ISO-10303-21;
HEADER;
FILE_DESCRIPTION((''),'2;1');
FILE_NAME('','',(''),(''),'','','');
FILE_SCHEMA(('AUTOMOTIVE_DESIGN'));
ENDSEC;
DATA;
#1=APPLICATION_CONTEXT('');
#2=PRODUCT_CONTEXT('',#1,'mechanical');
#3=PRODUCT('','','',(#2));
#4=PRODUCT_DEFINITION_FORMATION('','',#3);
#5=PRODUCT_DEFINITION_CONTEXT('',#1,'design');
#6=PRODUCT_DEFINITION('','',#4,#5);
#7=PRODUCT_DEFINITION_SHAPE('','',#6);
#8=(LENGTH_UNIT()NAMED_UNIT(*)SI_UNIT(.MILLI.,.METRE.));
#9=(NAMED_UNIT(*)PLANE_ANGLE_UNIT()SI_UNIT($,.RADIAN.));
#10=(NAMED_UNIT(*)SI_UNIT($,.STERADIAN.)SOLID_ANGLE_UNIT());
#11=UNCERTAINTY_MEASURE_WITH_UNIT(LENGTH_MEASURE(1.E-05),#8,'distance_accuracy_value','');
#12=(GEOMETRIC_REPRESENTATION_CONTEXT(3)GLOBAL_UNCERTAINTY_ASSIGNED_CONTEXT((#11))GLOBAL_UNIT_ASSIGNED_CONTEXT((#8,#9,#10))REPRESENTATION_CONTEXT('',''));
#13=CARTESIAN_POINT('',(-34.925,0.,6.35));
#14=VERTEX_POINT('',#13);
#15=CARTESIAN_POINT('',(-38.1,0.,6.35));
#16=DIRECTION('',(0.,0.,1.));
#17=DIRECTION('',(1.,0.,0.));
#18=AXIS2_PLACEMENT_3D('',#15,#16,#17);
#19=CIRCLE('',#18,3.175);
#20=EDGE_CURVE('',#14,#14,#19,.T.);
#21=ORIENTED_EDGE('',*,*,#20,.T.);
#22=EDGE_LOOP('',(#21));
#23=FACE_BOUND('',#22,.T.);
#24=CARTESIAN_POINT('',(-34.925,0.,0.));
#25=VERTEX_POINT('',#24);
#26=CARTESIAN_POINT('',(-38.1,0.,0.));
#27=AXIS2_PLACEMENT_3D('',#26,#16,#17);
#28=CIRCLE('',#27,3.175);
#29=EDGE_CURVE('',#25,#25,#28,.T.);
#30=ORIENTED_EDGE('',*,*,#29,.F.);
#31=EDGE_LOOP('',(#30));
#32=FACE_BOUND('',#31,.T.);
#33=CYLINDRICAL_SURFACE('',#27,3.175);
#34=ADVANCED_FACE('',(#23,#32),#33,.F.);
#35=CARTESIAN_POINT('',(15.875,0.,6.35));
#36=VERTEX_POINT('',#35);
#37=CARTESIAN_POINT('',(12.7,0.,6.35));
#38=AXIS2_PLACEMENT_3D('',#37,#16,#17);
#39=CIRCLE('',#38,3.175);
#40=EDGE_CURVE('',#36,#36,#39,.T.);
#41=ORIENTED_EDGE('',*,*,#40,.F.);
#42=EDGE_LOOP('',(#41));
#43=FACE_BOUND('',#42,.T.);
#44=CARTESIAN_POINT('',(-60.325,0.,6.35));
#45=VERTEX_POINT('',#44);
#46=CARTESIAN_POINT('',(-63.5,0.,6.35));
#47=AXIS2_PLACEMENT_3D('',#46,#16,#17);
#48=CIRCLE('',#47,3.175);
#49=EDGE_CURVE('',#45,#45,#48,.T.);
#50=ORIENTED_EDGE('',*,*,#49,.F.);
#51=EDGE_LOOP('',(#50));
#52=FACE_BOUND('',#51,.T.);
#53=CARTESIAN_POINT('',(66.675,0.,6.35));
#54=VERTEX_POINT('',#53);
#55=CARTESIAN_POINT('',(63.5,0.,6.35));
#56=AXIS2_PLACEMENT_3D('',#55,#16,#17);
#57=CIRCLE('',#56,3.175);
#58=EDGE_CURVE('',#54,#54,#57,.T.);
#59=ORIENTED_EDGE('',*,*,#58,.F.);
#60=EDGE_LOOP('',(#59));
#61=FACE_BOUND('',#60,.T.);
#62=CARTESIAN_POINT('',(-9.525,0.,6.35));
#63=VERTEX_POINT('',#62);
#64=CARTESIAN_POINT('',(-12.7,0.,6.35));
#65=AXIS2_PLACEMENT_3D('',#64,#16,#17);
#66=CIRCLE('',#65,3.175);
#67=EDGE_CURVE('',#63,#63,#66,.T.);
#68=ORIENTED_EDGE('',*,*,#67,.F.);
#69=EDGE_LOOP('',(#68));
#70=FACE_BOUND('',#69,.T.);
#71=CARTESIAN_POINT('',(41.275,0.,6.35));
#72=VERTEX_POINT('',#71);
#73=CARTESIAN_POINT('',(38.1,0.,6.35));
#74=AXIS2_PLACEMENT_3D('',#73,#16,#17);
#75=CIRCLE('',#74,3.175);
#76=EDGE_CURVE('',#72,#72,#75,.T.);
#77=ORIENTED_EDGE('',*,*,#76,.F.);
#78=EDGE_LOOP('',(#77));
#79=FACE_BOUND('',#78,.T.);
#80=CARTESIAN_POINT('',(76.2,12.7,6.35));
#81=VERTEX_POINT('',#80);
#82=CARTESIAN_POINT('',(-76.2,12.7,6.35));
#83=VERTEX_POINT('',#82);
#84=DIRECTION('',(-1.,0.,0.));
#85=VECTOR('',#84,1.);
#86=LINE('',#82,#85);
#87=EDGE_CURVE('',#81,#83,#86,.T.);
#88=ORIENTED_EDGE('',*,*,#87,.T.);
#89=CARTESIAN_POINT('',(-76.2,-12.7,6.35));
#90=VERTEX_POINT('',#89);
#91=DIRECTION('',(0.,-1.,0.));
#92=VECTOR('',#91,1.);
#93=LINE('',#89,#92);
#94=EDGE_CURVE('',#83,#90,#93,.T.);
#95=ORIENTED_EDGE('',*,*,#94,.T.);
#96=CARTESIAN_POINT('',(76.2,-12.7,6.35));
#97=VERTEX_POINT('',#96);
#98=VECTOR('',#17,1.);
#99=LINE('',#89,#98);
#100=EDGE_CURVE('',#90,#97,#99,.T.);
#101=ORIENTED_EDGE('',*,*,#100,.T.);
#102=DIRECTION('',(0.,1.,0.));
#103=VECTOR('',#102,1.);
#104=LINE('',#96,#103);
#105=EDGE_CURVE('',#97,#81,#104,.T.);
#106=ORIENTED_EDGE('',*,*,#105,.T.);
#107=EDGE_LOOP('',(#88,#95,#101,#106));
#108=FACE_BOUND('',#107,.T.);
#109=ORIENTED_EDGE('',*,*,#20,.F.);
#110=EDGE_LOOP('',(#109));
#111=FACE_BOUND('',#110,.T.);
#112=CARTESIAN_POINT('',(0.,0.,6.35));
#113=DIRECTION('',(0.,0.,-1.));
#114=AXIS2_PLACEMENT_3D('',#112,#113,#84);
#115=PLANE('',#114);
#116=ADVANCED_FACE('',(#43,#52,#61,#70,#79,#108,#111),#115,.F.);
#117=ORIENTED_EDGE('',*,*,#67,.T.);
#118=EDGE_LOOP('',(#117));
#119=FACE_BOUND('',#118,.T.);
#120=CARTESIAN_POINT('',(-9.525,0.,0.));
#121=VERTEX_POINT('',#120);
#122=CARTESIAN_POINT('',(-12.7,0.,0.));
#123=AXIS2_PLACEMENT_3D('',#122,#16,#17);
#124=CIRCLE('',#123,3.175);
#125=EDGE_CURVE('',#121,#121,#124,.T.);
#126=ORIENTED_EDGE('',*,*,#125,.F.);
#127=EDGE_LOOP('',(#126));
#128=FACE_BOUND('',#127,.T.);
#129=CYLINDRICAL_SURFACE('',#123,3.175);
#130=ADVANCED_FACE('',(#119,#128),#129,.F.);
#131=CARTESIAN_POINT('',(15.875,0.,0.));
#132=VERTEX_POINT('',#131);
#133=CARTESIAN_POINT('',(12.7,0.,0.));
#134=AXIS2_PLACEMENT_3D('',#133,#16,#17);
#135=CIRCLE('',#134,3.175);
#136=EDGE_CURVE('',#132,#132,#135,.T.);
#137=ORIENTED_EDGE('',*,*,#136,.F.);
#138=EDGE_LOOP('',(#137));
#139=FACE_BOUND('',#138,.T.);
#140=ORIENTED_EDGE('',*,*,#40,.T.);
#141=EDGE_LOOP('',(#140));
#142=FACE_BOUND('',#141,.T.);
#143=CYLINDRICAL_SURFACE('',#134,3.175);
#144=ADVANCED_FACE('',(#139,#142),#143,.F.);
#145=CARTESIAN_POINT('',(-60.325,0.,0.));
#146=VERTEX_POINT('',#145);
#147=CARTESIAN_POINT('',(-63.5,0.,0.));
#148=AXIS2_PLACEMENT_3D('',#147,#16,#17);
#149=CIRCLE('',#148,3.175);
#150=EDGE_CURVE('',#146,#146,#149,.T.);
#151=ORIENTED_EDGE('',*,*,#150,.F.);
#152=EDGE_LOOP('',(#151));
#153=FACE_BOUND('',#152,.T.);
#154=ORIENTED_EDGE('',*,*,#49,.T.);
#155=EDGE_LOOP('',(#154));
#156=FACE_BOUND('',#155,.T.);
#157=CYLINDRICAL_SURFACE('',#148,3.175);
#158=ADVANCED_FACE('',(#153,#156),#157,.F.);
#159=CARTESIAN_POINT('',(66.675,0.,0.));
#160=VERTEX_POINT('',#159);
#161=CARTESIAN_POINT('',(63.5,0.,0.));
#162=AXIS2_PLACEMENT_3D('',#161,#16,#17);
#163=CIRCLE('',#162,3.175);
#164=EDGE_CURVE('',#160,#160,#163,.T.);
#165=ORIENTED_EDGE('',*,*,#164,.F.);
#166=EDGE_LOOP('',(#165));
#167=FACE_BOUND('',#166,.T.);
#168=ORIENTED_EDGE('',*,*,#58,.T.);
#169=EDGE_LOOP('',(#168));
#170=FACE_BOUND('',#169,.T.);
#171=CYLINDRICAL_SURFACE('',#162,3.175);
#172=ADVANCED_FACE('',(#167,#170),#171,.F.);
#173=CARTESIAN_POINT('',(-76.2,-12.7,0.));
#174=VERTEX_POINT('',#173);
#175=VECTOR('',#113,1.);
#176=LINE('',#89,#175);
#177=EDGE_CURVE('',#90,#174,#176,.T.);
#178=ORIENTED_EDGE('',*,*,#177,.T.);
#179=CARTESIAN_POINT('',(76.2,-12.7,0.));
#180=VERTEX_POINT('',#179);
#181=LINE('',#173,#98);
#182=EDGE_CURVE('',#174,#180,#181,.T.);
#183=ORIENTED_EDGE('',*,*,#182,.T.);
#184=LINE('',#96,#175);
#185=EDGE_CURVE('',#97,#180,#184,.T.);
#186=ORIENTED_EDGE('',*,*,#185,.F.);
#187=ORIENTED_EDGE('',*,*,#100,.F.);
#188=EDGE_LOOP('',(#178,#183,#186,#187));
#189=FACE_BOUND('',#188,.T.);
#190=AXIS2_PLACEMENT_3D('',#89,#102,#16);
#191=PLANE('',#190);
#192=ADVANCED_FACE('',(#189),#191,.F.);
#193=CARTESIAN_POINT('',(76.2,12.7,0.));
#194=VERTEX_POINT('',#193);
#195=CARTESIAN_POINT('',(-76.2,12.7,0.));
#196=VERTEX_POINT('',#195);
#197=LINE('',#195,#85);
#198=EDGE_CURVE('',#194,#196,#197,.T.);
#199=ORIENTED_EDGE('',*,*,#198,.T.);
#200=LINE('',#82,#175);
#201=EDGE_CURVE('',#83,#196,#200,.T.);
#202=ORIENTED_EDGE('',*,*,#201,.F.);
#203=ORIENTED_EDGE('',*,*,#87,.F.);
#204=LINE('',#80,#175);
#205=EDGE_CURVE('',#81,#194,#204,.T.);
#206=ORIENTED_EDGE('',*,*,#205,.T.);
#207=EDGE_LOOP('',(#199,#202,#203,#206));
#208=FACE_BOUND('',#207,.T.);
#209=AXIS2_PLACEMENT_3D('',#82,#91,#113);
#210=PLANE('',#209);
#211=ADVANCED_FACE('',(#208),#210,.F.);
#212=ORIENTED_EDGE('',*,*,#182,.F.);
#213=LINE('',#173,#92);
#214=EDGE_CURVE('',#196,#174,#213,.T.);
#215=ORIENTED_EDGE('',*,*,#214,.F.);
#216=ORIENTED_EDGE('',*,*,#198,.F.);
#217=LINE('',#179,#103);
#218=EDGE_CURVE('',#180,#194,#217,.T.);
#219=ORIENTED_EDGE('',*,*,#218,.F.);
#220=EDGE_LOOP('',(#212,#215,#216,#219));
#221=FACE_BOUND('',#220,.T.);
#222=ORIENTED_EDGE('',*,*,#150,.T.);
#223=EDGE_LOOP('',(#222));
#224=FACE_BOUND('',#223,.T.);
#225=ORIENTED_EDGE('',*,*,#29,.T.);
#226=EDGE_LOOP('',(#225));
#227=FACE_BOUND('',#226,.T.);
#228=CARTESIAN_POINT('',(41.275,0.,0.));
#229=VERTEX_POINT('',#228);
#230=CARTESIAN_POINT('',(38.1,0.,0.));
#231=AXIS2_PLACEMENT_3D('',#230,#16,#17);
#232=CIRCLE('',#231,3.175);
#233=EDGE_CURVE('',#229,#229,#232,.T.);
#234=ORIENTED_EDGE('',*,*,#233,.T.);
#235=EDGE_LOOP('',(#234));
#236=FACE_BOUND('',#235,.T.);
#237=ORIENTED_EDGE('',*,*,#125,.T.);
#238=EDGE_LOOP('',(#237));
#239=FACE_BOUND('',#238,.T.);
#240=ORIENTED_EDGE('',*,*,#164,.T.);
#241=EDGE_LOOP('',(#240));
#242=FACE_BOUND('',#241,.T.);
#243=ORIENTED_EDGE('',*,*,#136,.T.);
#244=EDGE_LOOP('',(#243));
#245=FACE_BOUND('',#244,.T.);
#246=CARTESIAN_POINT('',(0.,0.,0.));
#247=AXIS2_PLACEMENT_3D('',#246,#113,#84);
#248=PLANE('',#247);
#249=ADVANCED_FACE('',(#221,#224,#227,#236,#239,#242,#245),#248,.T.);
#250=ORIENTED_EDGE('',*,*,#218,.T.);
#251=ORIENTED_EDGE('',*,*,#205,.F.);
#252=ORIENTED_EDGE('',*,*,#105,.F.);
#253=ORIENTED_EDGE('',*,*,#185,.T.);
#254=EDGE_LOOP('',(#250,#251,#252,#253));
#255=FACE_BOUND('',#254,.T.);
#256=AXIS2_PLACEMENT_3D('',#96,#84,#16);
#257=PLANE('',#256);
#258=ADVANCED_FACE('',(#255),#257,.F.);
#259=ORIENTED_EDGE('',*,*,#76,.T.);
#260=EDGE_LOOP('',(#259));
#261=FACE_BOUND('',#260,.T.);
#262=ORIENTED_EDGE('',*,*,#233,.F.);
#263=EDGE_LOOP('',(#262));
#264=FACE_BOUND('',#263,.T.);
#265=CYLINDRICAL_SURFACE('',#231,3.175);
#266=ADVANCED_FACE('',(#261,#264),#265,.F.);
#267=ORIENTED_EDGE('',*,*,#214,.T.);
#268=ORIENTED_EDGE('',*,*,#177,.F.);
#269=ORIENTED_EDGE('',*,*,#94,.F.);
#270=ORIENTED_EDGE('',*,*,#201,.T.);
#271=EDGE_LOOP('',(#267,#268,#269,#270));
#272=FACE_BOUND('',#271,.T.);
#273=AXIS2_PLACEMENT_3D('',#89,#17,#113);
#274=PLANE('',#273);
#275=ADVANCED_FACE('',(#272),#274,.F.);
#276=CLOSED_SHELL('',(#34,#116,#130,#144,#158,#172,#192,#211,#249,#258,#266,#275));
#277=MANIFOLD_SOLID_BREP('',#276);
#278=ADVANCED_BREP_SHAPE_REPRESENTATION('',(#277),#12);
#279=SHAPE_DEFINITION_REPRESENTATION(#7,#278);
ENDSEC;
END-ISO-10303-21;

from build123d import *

# Parameters (mm, degrees)
SKETCH1_W           = 152.4
SKETCH1_H           = 25.4
BOSS_EXTRUDE1_DEPTH = 6.35
SKETCH2_R           = 3.175
CUT_EXTRUDE1_DEPTH  = 6.35


with BuildPart() as part:
    # Sketch1 → Boss-Extrude1 (new body)
    with BuildSketch(Plane.XY):
        Rectangle(SKETCH1_W, SKETCH1_H)
    extrude(amount=BOSS_EXTRUDE1_DEPTH)

    # Sketch2 → Cut-Extrude1 (cut)
    with BuildSketch(Plane.XY.offset(6.35)):
        with Locations((-12.7, 0)):
            Circle(SKETCH2_R)
        with Locations((38.1, 0)):
            Circle(SKETCH2_R)
        with Locations((63.5, 0)):
            Circle(SKETCH2_R)
        with Locations((12.7, 0)):
            Circle(SKETCH2_R)
        with Locations((-38.1, 0)):
            Circle(SKETCH2_R)
        with Locations((-63.5, 0)):
            Circle(SKETCH2_R)
    extrude(amount=-CUT_EXTRUDE1_DEPTH, mode=Mode.SUBTRACT)


solid = part.part
